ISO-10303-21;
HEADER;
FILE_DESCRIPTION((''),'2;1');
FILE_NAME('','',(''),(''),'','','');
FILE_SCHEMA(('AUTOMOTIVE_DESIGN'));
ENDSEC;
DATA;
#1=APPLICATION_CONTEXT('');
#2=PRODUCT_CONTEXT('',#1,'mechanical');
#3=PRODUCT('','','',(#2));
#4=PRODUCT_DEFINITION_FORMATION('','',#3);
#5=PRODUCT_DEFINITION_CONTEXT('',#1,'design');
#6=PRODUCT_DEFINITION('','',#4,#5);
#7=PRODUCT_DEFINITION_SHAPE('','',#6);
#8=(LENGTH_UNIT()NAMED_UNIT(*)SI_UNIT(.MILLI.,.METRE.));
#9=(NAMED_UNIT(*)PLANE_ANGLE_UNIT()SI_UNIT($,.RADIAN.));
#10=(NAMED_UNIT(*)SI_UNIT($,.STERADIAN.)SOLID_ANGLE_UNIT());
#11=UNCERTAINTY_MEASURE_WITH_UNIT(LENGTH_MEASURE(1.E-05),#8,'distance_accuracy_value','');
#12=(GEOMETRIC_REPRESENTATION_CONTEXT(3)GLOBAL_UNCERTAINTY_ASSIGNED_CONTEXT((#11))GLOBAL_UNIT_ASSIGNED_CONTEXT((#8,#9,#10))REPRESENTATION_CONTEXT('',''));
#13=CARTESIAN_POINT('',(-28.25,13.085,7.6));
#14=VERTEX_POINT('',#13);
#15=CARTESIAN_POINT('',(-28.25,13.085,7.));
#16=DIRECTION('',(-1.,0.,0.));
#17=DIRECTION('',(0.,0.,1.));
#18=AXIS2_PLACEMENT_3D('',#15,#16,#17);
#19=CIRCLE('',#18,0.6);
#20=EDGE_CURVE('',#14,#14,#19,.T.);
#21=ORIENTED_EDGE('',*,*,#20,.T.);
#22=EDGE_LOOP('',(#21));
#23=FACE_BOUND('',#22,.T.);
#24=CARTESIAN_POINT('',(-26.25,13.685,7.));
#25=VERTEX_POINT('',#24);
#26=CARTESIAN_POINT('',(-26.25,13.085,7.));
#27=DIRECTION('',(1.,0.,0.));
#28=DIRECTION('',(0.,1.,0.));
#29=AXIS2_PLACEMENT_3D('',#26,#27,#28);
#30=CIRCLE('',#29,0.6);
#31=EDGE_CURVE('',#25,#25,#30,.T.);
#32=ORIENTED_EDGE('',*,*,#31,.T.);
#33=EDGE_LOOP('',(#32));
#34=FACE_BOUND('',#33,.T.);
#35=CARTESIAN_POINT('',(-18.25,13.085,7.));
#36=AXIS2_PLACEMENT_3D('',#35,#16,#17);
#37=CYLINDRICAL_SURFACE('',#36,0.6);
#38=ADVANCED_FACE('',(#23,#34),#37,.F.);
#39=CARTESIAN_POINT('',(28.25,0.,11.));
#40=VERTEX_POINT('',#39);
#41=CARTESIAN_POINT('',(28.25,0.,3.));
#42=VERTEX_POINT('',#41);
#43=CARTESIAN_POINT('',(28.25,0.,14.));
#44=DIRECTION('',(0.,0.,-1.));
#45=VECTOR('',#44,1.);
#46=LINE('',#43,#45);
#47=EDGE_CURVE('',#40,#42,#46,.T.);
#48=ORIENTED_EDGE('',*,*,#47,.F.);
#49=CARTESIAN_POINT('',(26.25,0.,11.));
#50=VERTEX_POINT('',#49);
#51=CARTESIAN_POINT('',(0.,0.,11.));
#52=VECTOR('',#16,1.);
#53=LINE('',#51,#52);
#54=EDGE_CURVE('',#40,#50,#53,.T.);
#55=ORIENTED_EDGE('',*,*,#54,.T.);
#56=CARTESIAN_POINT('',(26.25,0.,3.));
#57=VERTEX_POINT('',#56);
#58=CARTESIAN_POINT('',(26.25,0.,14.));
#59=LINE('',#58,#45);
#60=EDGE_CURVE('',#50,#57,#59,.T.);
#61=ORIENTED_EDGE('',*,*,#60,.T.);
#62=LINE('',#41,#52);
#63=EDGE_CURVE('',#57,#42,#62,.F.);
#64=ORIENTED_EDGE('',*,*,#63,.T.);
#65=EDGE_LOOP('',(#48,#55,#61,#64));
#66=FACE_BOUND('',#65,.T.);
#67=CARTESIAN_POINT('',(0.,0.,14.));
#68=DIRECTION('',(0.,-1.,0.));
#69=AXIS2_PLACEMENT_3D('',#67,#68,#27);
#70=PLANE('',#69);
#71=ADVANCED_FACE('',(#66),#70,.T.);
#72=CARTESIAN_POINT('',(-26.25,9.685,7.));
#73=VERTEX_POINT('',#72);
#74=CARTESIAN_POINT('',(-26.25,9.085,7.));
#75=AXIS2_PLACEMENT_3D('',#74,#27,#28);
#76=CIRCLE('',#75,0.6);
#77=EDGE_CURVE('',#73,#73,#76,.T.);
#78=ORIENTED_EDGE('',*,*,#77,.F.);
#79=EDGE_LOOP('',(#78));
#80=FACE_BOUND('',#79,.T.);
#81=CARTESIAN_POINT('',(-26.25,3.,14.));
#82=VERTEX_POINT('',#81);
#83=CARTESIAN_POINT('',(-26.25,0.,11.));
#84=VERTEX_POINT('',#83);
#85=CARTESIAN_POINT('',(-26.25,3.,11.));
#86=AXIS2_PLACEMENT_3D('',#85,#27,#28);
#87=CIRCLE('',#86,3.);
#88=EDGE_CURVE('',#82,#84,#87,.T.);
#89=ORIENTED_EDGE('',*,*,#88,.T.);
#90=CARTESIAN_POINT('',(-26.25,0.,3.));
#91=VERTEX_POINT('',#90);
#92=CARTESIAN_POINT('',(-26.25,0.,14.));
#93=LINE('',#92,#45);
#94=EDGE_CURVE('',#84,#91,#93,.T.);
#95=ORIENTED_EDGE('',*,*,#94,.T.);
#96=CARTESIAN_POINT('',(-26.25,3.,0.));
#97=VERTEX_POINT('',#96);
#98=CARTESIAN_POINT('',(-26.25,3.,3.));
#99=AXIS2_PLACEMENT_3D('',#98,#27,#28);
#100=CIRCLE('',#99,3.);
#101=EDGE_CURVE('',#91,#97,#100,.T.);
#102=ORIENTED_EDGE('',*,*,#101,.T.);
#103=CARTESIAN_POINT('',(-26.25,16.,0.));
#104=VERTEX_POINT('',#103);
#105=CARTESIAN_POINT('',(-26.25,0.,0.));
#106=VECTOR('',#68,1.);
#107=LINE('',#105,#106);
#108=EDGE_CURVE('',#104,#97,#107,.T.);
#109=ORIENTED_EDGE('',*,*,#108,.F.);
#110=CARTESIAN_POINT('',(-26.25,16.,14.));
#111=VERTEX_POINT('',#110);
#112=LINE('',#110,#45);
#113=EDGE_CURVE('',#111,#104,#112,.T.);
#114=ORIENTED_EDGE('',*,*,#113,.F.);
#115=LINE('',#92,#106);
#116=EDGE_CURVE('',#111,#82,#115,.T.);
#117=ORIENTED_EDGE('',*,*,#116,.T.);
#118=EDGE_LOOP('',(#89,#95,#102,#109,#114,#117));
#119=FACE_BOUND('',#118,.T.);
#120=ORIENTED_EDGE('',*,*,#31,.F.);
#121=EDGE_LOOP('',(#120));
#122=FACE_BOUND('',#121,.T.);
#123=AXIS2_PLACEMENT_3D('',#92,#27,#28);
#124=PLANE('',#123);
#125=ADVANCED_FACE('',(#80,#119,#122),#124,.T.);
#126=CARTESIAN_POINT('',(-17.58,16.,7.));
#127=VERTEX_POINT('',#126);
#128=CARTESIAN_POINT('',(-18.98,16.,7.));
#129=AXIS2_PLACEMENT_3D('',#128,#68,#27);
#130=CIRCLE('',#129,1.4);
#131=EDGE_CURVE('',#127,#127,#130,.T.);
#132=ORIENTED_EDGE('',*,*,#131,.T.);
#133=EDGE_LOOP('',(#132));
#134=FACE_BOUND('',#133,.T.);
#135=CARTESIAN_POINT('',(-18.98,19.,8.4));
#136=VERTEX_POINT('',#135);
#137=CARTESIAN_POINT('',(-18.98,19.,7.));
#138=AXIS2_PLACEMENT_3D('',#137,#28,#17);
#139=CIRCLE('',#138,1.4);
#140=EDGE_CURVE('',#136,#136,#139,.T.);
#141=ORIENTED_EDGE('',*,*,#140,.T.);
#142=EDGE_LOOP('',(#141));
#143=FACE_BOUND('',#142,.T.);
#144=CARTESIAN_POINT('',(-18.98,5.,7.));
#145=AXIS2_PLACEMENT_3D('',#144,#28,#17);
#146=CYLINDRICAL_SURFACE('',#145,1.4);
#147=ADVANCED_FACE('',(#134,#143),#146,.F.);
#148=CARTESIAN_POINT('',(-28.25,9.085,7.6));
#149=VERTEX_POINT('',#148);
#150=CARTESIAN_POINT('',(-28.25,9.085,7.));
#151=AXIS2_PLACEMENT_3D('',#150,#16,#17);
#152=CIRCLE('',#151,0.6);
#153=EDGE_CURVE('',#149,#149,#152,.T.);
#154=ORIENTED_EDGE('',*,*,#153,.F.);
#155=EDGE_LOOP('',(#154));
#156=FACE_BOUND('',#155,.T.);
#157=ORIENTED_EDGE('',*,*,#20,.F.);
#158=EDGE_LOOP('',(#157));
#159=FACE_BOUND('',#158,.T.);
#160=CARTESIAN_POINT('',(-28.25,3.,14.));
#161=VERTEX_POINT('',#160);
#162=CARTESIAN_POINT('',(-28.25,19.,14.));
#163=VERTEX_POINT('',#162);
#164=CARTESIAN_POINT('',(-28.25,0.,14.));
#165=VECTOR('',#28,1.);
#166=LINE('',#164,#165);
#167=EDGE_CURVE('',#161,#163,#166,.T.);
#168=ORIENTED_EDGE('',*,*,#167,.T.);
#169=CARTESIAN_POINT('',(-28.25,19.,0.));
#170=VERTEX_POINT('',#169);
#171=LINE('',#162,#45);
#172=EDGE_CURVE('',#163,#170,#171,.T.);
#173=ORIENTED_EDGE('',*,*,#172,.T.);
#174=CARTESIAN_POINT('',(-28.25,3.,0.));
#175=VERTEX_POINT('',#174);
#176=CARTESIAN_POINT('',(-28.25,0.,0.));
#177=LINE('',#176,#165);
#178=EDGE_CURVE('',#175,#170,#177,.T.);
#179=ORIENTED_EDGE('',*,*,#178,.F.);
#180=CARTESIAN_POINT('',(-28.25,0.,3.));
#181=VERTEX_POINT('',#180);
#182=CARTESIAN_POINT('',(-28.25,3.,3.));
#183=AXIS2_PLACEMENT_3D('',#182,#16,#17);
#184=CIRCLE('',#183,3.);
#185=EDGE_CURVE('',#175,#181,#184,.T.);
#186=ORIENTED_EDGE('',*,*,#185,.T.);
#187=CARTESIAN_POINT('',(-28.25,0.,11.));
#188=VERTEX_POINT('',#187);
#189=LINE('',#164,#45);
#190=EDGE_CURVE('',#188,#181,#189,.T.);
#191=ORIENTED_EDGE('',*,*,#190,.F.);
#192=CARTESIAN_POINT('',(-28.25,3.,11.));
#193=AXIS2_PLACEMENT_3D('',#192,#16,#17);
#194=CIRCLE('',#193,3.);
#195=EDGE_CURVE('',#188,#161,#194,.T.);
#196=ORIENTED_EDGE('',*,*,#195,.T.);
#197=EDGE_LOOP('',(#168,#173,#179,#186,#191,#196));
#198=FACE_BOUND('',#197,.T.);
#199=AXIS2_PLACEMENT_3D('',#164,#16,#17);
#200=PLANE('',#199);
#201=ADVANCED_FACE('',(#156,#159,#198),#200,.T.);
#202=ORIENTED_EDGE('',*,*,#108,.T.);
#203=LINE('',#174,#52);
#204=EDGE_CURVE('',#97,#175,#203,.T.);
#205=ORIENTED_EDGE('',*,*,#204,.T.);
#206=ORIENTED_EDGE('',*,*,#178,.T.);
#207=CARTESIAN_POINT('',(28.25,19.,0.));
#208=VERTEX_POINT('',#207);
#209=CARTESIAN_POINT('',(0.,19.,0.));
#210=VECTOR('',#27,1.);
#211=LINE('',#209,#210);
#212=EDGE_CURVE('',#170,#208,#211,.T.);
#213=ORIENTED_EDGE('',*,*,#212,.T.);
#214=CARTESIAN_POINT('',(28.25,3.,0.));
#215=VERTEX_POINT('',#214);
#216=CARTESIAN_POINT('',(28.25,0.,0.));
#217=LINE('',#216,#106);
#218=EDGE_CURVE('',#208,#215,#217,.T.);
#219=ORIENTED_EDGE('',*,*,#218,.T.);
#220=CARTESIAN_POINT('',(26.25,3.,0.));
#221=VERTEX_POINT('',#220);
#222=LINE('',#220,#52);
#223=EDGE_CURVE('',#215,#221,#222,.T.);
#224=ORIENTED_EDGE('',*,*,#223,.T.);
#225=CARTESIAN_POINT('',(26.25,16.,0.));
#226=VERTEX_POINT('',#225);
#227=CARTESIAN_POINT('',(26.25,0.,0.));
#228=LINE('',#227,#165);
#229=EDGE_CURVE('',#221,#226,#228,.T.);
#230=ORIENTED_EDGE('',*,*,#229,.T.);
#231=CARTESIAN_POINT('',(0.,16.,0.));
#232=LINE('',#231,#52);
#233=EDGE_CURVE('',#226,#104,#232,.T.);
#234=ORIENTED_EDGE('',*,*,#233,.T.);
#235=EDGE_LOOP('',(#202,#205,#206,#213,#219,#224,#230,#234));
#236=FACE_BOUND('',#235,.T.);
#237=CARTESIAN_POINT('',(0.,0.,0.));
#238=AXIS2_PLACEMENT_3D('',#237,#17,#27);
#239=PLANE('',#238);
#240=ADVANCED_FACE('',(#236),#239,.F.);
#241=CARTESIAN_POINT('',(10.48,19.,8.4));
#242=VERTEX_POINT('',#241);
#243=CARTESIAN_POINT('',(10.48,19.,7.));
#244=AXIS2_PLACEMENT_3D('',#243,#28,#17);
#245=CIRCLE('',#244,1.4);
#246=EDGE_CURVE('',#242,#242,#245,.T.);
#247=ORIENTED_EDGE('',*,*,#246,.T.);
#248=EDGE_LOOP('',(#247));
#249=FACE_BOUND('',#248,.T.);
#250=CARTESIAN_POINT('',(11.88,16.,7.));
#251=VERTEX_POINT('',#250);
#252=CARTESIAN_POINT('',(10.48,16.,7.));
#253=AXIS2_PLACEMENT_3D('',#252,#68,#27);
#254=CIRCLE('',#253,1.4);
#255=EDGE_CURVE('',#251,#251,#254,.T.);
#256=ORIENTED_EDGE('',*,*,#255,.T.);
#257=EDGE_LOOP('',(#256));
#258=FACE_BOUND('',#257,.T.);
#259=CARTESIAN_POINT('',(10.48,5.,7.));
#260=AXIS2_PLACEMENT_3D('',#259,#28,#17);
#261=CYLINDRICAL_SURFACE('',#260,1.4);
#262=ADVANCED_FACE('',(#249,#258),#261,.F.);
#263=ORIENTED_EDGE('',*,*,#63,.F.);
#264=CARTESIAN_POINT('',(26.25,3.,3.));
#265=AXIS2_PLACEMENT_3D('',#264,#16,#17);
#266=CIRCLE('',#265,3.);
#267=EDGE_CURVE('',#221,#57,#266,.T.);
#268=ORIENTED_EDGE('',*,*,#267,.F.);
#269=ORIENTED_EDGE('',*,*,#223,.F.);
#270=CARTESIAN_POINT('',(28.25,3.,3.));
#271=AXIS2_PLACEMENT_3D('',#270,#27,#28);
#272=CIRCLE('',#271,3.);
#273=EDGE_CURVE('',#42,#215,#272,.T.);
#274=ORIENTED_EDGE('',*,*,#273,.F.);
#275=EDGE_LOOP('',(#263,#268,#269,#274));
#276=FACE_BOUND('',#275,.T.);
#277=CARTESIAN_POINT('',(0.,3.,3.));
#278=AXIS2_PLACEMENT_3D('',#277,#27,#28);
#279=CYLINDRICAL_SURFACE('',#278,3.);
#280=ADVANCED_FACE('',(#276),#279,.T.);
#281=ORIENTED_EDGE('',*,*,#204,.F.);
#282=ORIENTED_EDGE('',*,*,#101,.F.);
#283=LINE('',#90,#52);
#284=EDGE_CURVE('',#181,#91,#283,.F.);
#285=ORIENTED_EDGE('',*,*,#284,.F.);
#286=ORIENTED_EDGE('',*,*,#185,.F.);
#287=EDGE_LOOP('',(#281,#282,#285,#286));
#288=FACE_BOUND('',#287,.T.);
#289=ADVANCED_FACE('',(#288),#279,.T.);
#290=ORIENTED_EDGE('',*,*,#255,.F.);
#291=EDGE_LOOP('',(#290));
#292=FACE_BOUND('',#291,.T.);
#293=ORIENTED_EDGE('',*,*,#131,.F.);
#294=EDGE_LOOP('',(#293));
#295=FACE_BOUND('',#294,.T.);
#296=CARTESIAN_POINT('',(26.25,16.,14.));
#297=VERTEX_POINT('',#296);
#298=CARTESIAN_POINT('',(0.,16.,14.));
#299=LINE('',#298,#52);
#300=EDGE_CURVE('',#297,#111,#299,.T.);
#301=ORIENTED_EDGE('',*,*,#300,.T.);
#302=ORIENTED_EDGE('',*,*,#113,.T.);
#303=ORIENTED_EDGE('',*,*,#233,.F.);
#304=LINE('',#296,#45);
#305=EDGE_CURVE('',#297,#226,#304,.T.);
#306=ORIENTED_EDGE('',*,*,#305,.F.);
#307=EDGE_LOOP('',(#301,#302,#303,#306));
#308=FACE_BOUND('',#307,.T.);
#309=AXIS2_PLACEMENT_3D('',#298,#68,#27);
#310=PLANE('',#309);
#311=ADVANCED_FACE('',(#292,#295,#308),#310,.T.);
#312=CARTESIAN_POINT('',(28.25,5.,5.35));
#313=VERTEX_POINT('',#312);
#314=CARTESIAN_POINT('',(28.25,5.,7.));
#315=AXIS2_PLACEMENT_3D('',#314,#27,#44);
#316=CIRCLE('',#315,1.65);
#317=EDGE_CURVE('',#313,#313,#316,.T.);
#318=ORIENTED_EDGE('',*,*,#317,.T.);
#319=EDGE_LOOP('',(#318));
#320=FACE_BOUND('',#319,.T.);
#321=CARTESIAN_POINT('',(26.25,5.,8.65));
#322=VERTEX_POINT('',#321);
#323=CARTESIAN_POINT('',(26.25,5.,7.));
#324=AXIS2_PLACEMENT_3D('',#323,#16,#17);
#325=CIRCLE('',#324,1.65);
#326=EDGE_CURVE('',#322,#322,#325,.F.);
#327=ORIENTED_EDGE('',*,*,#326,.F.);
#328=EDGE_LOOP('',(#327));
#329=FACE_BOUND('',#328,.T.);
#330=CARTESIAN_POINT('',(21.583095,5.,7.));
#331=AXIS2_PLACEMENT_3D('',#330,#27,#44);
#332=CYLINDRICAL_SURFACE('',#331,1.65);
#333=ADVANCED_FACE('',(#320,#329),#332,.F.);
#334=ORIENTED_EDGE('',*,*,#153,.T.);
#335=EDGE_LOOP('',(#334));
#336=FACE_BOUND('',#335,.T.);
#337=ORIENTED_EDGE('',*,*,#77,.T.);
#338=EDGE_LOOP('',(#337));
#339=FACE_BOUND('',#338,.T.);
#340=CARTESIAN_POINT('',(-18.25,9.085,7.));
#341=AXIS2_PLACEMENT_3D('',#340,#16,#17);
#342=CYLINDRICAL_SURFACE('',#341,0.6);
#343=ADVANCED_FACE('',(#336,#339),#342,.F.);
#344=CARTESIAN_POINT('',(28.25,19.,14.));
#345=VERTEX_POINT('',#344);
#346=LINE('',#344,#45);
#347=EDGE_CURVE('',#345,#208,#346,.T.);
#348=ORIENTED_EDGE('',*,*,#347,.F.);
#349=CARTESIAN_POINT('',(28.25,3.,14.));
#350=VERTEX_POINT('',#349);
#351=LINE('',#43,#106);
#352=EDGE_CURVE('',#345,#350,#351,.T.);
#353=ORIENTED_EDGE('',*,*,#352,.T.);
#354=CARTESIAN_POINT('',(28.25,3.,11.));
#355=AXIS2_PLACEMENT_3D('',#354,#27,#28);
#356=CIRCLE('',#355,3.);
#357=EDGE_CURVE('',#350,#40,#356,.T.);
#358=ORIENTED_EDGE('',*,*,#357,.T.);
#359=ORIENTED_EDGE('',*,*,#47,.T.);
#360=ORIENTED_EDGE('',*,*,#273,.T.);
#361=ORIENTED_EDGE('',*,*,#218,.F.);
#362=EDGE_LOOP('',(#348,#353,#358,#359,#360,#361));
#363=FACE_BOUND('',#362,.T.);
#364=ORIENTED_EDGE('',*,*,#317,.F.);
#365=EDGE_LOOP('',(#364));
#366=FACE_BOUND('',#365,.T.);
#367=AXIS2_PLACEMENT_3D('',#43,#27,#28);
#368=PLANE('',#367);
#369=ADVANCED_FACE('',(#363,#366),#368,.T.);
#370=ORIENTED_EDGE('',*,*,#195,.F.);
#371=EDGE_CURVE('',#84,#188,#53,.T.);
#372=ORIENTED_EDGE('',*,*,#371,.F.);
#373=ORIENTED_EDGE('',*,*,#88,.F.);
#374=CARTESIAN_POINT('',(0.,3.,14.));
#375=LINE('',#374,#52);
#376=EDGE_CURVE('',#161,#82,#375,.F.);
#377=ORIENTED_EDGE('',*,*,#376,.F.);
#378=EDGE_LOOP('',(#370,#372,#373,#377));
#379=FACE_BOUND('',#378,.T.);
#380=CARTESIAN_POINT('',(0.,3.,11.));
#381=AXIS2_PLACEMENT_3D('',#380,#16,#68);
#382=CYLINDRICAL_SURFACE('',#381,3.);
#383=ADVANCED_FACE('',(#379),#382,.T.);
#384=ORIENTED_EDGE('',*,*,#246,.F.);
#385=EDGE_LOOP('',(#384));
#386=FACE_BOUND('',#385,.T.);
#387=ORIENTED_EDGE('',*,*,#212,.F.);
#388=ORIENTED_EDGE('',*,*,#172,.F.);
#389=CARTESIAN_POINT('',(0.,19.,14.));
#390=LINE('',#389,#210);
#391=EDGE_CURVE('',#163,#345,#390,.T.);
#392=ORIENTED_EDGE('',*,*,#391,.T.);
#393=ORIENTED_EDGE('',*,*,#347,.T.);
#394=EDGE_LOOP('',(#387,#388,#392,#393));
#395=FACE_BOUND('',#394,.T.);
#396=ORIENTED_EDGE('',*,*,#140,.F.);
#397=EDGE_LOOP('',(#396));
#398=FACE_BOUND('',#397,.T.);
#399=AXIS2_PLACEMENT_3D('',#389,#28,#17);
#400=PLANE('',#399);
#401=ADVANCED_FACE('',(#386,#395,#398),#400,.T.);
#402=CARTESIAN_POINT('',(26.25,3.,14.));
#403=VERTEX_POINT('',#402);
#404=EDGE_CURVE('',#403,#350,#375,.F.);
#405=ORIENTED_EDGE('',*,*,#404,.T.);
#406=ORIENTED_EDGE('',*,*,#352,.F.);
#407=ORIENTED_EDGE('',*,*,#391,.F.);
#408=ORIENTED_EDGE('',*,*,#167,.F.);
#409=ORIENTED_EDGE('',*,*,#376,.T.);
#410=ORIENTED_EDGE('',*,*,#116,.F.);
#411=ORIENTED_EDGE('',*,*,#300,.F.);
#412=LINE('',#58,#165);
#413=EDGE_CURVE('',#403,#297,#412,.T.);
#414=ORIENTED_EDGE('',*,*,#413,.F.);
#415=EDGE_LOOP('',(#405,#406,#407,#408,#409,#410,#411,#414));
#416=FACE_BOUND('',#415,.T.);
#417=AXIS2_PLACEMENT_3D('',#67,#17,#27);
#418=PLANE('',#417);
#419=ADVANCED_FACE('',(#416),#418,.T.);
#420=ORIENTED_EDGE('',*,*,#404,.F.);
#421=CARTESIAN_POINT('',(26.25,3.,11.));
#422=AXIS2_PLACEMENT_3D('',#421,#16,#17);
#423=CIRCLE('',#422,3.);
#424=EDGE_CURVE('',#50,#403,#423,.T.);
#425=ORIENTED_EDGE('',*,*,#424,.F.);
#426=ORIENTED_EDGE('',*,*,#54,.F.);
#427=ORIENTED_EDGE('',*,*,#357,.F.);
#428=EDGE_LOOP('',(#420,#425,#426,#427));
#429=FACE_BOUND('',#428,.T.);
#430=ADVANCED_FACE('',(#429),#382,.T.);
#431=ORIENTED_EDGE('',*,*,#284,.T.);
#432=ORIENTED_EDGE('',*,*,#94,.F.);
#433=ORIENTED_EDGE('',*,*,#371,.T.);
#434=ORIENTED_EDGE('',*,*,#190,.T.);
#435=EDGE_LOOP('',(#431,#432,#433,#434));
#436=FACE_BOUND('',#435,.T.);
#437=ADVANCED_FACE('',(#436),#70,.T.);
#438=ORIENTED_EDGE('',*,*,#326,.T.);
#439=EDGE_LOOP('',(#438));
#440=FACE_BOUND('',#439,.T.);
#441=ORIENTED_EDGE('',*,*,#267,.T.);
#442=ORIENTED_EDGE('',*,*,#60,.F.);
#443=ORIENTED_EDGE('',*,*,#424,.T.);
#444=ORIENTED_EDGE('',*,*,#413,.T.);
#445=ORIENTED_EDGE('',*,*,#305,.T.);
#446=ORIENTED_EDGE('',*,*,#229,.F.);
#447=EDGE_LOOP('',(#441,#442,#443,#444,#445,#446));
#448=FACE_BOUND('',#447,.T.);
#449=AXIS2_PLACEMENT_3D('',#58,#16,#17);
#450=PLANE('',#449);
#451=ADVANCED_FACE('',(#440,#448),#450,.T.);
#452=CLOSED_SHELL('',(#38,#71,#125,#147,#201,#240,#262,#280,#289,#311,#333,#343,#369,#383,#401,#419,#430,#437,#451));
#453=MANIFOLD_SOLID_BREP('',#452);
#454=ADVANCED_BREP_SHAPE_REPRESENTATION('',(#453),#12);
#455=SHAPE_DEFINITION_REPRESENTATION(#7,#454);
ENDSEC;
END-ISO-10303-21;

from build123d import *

# Parameters (mm, degrees)
EXTRUDE_1_DEPTH     = 14
SKETCH_2_R          = 1.65
CUT_EXTRUDE_1_DEPTH = 2
SKETCH_3_R          = 1.4
CUT_EXTRUDE_2_DEPTH = 14
FILLET_1_R          = 3
SKETCH_5_R          = 0.6
CUT_EXTRUDE_3_DEPTH = 10


with BuildPart() as part:
    # 草图1 → 凸台-拉伸1 (new body)
    with BuildSketch(Plane.XY):
        Polygon((-28.25, 0), (-28.25, 19), (28.25, 19), (28.25, 0), (26.25, 0), (26.25, 16), (-26.25, 16), (-26.25, 0), align=None)
    extrude(amount=EXTRUDE_1_DEPTH)

    # 草图2 → 切除-拉伸1 (cut)
    with BuildSketch(Plane(origin=(28.25, 0, 0), x_dir=(0, 0, -1), z_dir=(1, 0, 0))):
        with Locations((-7, 5)):
            Circle(SKETCH_2_R)
    extrude(amount=-CUT_EXTRUDE_1_DEPTH, mode=Mode.SUBTRACT)

    # 草图3 → 切除-拉伸2 (cut)
    with BuildSketch(Plane(origin=(0, 19, 0), x_dir=(1, 0, 0), z_dir=(0, 1, 0))):
        with Locations((-18.98, -7)):
            Circle(SKETCH_3_R)
        with Locations((10.48, -7)):
            Circle(SKETCH_3_R)
    extrude(amount=-CUT_EXTRUDE_2_DEPTH, mode=Mode.SUBTRACT)

    # 圆角1
    fillet_1_edges = [part.edges().sort_by_distance(p)[0] for p in [
        (-27.25, 0, 0),
        (27.25, 0, 0),
        (27.25, 0, 14),
        (-27.25, 0, 14),
    ]]
    fillet(fillet_1_edges, radius=FILLET_1_R)

    # 草图5 → 切除-拉伸3 (cut)
    with BuildSketch(Plane.ZY.offset(28.25)):
        with Locations((7, 9.085)):
            Circle(SKETCH_5_R)
        with Locations((7, 13.085)):
            Circle(SKETCH_5_R)
    extrude(amount=-CUT_EXTRUDE_3_DEPTH, mode=Mode.SUBTRACT)


solid = part.part
